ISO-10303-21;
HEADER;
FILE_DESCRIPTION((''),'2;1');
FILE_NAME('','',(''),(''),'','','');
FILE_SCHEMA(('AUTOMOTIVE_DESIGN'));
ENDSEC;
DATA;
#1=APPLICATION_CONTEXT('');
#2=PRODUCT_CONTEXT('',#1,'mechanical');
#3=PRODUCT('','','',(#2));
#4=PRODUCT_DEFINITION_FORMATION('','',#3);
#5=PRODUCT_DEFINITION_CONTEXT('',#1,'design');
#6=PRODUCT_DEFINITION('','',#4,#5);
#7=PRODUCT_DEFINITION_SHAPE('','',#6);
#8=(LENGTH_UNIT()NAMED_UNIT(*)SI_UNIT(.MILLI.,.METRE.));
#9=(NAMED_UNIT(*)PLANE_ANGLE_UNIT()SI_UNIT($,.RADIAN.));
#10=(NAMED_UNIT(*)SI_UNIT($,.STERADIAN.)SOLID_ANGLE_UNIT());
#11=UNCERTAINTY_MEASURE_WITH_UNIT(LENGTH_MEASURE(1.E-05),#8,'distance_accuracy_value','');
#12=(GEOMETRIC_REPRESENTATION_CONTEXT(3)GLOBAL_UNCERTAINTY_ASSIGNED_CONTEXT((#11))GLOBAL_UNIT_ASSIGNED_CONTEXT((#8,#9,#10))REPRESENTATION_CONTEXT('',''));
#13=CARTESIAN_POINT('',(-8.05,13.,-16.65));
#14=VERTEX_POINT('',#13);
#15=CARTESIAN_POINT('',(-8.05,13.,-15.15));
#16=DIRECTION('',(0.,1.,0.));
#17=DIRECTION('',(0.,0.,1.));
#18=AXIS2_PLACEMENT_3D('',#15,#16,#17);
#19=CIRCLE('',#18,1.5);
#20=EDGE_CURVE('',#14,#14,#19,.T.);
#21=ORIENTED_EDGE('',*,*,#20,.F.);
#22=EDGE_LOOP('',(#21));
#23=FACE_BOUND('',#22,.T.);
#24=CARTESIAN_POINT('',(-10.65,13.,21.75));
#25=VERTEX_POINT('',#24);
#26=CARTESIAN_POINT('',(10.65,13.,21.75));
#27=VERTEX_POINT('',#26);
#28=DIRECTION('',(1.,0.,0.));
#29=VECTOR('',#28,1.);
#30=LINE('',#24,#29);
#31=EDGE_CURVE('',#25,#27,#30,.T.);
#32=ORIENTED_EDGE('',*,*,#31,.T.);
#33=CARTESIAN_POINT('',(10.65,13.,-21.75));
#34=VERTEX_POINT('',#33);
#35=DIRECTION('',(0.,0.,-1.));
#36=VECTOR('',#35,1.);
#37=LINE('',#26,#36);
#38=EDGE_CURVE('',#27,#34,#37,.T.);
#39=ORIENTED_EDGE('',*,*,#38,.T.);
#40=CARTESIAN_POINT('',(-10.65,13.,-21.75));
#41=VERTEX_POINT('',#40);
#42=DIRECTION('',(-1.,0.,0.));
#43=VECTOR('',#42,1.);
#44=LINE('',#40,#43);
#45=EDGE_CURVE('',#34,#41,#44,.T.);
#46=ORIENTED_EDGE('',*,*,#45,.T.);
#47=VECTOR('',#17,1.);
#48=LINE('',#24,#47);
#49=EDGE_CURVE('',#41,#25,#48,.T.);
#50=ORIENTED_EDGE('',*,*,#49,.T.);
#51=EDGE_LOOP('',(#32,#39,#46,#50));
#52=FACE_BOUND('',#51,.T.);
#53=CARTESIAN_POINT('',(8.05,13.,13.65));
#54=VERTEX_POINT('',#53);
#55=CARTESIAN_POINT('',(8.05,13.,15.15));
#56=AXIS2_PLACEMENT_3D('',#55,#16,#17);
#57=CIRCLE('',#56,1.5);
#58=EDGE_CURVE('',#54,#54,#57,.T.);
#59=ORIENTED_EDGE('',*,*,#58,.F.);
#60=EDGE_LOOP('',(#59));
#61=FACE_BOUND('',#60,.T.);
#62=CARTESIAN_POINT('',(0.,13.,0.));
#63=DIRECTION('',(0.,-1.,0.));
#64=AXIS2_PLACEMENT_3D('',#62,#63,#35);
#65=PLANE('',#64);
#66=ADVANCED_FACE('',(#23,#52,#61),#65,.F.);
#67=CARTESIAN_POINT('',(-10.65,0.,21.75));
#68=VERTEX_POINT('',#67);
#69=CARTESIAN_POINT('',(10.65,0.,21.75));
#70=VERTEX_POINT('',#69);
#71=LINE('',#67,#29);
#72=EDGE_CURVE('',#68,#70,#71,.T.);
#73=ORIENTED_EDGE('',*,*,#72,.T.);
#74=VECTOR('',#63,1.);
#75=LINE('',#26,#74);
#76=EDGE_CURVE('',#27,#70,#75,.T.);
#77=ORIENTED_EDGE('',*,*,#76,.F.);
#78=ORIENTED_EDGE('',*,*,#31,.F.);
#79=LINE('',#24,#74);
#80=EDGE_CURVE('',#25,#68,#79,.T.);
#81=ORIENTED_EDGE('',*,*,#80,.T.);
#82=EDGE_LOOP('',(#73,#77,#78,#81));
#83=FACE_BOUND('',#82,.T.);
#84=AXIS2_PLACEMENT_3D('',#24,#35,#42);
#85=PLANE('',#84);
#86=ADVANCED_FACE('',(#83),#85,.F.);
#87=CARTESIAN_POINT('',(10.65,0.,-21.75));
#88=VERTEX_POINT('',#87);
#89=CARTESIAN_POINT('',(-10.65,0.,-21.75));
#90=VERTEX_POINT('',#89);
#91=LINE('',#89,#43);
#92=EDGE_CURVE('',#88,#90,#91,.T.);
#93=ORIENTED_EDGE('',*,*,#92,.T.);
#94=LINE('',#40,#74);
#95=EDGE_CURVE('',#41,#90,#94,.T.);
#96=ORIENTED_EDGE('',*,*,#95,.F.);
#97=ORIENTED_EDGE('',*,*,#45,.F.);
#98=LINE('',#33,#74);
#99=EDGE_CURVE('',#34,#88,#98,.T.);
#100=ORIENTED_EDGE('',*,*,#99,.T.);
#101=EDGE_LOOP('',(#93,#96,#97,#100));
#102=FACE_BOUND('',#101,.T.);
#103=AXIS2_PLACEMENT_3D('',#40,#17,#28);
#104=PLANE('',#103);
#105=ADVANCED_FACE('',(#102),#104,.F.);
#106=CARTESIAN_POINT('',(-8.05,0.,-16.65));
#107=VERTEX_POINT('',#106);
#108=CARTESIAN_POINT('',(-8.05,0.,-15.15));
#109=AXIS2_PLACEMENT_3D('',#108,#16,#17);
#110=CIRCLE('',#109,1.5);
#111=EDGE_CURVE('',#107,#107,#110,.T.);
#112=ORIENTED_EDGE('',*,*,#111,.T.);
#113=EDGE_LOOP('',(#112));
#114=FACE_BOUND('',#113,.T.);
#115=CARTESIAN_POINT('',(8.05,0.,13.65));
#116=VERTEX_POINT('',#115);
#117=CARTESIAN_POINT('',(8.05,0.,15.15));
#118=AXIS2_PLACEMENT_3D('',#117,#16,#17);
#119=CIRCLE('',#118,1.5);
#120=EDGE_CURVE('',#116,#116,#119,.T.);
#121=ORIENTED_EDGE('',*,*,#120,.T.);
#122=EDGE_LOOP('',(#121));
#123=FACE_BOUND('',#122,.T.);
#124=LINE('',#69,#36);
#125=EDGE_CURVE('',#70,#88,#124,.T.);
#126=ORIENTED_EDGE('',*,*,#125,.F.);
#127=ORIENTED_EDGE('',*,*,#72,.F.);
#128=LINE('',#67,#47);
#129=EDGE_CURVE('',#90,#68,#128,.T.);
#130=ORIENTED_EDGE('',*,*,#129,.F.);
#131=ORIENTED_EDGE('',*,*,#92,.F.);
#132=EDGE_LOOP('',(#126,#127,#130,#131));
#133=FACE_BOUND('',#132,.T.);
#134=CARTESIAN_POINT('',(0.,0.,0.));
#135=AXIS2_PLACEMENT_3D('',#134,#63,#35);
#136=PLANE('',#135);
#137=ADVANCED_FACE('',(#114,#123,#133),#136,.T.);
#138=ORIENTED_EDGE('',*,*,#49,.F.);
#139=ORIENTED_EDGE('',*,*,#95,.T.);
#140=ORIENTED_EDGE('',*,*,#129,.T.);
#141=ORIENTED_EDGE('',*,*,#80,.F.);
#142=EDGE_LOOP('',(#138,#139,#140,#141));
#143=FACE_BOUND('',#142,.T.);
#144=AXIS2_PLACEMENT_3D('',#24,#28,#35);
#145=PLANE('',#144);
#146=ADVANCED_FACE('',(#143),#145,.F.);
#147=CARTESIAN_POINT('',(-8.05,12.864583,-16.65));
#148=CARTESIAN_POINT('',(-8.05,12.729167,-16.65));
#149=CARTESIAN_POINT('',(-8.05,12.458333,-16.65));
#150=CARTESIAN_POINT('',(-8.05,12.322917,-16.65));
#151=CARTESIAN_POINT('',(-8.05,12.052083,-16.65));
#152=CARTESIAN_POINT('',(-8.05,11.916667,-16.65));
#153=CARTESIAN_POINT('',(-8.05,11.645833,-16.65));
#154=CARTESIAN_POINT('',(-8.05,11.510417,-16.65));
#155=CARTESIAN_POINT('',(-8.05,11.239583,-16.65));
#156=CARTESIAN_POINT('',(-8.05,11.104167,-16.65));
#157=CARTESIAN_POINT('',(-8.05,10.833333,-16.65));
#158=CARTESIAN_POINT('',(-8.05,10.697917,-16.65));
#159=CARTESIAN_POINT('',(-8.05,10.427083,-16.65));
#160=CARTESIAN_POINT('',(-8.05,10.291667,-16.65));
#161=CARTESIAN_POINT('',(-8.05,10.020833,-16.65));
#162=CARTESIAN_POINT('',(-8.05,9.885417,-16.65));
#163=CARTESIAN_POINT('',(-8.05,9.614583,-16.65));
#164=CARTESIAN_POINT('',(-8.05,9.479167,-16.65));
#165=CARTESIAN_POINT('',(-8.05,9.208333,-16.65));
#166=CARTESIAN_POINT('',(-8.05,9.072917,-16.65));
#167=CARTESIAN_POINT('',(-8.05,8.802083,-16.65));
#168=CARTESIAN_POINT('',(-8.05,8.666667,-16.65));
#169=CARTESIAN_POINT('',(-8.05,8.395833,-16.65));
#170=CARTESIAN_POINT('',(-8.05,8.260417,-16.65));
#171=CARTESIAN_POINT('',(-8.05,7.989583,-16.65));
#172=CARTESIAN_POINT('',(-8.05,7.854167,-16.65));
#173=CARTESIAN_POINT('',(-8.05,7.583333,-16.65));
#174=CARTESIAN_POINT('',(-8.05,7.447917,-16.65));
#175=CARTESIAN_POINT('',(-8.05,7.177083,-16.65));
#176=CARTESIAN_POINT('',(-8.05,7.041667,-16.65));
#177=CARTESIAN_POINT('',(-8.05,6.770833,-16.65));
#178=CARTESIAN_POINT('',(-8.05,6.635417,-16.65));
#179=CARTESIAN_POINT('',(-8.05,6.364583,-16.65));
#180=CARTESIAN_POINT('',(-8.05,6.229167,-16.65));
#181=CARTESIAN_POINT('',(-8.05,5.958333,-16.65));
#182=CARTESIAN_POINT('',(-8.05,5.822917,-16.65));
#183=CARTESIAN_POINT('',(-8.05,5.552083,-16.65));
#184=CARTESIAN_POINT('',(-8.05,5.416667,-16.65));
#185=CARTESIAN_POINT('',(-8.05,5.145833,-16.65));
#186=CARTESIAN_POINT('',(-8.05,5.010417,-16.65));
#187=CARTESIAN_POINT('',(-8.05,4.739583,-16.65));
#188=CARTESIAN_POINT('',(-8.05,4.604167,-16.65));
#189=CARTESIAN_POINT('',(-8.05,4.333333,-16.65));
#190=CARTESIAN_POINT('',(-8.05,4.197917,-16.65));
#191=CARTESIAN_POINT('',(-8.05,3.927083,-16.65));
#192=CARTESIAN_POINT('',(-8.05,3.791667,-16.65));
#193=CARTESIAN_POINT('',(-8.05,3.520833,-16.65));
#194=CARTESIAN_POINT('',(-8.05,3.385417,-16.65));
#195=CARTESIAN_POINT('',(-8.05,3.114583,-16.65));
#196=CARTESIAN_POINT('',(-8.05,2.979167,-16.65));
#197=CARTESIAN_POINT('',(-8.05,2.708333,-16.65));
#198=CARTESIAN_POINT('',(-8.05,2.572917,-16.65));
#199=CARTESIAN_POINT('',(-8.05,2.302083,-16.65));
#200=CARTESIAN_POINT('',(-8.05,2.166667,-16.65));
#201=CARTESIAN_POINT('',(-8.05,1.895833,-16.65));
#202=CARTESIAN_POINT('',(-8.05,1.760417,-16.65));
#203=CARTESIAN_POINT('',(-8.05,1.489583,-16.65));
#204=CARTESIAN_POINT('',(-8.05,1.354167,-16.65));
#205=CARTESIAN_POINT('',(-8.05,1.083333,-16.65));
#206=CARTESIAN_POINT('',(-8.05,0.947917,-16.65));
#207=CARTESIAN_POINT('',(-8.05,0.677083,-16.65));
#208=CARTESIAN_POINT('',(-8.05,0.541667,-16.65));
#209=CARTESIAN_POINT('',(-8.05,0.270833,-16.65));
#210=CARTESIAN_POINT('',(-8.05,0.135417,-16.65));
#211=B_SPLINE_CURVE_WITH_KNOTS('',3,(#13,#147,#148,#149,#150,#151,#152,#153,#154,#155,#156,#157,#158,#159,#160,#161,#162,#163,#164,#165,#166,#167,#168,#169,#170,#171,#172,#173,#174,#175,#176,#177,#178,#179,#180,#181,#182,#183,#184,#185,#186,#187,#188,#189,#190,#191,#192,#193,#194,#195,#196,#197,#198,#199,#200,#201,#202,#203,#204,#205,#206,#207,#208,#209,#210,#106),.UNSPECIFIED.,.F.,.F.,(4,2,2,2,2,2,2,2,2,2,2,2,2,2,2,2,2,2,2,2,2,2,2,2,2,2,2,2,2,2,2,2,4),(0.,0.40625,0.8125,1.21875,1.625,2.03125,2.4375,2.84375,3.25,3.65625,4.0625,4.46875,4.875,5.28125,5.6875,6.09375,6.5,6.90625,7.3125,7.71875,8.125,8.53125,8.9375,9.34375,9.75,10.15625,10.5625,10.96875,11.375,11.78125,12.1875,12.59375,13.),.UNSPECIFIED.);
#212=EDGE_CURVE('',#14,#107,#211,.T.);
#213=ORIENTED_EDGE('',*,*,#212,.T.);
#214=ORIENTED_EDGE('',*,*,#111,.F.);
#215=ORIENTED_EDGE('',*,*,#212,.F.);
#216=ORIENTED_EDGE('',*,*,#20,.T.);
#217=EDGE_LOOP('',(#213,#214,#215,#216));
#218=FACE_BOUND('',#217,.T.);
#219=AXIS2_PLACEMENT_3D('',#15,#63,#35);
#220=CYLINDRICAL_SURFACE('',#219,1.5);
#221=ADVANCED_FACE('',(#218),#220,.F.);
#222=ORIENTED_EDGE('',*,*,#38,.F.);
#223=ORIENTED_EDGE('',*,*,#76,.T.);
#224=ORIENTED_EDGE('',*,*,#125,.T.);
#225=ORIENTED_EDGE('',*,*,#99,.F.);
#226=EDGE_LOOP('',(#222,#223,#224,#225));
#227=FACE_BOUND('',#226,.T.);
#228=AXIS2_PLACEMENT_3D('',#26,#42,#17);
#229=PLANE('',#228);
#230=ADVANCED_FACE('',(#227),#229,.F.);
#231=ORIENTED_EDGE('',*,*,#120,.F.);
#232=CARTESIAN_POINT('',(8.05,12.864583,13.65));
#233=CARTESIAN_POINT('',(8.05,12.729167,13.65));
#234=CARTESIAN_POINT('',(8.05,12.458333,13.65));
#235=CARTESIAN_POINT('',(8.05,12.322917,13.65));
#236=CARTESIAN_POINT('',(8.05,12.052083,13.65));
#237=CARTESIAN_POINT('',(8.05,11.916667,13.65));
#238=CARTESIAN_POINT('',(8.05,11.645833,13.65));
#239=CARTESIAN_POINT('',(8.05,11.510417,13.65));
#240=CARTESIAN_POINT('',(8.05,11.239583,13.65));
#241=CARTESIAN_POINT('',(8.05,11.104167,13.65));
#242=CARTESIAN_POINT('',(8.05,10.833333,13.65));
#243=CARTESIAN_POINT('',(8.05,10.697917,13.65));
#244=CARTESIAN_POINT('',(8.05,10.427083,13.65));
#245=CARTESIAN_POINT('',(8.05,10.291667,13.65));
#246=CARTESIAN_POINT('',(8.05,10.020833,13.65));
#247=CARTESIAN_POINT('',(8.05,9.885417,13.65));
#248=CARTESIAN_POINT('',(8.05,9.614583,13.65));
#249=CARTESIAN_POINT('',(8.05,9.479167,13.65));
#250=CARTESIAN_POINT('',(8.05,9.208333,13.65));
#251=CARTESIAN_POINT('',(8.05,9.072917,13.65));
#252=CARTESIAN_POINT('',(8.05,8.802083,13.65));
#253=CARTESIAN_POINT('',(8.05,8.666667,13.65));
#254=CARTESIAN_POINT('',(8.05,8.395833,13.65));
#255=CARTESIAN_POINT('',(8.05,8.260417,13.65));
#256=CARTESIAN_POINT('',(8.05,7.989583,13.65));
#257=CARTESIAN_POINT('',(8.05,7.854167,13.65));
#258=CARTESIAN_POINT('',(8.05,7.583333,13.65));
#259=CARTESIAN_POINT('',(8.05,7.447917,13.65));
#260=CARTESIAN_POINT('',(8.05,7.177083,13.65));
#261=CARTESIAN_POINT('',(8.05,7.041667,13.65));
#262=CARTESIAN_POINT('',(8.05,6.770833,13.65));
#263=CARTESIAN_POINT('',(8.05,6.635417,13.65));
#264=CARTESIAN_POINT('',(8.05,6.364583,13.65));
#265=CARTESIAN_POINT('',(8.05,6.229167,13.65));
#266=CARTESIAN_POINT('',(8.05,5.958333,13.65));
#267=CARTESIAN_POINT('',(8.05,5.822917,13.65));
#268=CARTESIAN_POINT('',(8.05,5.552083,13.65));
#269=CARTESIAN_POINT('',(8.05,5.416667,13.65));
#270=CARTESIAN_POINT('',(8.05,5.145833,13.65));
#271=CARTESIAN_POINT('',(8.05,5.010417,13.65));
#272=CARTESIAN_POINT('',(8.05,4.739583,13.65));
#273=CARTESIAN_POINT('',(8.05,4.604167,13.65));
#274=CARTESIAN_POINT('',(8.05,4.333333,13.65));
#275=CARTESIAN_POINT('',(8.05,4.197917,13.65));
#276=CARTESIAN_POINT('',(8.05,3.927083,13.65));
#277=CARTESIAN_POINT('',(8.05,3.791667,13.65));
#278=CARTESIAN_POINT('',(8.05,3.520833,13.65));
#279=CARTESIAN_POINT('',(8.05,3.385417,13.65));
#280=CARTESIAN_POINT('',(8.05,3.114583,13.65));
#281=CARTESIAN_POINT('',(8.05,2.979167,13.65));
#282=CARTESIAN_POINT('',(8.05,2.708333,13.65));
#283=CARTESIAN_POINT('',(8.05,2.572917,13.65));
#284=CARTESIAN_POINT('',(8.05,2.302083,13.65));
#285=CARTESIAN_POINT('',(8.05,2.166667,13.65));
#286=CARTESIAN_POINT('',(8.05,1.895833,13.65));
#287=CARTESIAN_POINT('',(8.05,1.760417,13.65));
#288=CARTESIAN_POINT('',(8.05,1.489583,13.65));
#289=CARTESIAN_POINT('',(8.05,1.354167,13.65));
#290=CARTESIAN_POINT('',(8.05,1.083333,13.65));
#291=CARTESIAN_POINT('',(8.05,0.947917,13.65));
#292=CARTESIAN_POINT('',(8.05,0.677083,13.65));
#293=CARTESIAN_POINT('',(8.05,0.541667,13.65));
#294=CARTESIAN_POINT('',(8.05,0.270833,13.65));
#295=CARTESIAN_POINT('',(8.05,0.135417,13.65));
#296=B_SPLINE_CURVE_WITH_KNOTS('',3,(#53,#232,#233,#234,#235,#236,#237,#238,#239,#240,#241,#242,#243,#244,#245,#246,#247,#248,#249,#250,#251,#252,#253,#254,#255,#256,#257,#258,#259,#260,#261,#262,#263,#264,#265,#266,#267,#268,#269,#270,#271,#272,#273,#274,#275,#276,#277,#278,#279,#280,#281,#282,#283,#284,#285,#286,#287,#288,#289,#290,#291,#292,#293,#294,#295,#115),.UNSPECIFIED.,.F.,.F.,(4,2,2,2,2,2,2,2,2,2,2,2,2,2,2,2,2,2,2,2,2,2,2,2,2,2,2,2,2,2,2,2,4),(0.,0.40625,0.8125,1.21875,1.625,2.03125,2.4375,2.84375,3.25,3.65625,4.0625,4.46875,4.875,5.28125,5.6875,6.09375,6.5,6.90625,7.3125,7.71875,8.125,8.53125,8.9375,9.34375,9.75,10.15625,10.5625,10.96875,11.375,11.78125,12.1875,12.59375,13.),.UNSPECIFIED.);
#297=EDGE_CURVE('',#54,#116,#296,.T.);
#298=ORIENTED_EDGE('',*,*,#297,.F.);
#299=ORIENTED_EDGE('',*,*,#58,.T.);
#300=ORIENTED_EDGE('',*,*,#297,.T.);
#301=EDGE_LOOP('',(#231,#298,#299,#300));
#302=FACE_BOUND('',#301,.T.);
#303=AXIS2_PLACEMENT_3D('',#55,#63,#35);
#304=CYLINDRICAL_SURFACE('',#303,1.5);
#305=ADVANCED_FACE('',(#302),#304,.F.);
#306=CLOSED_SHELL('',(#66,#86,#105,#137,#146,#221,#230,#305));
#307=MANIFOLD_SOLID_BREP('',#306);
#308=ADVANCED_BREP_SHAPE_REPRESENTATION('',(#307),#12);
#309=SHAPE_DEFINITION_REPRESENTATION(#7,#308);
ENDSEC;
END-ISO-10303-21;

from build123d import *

# Parameters (mm, degrees)
SKETCH_1_W      = 21.3
SKETCH_1_H      = 43.5
SKETCH_1_R      = 1.5
EXTRUDE_1_DEPTH = 13


with BuildPart() as part:
    # 草图1 → 凸台-拉伸1 (new body)
    with BuildSketch(Plane(origin=(0, 0, 0), x_dir=(1, 0, 0), z_dir=(0, 1, 0))):
        Rectangle(SKETCH_1_W, SKETCH_1_H)
        with Locations(Location((-8.05, 15.15, 0), (0, 0, 90))):
            Circle(SKETCH_1_R, mode=Mode.SUBTRACT)
        with Locations(Location((8.05, -15.15, 0), (0, 0, 90))):
            Circle(SKETCH_1_R, mode=Mode.SUBTRACT)
    extrude(amount=EXTRUDE_1_DEPTH)


solid = part.part
